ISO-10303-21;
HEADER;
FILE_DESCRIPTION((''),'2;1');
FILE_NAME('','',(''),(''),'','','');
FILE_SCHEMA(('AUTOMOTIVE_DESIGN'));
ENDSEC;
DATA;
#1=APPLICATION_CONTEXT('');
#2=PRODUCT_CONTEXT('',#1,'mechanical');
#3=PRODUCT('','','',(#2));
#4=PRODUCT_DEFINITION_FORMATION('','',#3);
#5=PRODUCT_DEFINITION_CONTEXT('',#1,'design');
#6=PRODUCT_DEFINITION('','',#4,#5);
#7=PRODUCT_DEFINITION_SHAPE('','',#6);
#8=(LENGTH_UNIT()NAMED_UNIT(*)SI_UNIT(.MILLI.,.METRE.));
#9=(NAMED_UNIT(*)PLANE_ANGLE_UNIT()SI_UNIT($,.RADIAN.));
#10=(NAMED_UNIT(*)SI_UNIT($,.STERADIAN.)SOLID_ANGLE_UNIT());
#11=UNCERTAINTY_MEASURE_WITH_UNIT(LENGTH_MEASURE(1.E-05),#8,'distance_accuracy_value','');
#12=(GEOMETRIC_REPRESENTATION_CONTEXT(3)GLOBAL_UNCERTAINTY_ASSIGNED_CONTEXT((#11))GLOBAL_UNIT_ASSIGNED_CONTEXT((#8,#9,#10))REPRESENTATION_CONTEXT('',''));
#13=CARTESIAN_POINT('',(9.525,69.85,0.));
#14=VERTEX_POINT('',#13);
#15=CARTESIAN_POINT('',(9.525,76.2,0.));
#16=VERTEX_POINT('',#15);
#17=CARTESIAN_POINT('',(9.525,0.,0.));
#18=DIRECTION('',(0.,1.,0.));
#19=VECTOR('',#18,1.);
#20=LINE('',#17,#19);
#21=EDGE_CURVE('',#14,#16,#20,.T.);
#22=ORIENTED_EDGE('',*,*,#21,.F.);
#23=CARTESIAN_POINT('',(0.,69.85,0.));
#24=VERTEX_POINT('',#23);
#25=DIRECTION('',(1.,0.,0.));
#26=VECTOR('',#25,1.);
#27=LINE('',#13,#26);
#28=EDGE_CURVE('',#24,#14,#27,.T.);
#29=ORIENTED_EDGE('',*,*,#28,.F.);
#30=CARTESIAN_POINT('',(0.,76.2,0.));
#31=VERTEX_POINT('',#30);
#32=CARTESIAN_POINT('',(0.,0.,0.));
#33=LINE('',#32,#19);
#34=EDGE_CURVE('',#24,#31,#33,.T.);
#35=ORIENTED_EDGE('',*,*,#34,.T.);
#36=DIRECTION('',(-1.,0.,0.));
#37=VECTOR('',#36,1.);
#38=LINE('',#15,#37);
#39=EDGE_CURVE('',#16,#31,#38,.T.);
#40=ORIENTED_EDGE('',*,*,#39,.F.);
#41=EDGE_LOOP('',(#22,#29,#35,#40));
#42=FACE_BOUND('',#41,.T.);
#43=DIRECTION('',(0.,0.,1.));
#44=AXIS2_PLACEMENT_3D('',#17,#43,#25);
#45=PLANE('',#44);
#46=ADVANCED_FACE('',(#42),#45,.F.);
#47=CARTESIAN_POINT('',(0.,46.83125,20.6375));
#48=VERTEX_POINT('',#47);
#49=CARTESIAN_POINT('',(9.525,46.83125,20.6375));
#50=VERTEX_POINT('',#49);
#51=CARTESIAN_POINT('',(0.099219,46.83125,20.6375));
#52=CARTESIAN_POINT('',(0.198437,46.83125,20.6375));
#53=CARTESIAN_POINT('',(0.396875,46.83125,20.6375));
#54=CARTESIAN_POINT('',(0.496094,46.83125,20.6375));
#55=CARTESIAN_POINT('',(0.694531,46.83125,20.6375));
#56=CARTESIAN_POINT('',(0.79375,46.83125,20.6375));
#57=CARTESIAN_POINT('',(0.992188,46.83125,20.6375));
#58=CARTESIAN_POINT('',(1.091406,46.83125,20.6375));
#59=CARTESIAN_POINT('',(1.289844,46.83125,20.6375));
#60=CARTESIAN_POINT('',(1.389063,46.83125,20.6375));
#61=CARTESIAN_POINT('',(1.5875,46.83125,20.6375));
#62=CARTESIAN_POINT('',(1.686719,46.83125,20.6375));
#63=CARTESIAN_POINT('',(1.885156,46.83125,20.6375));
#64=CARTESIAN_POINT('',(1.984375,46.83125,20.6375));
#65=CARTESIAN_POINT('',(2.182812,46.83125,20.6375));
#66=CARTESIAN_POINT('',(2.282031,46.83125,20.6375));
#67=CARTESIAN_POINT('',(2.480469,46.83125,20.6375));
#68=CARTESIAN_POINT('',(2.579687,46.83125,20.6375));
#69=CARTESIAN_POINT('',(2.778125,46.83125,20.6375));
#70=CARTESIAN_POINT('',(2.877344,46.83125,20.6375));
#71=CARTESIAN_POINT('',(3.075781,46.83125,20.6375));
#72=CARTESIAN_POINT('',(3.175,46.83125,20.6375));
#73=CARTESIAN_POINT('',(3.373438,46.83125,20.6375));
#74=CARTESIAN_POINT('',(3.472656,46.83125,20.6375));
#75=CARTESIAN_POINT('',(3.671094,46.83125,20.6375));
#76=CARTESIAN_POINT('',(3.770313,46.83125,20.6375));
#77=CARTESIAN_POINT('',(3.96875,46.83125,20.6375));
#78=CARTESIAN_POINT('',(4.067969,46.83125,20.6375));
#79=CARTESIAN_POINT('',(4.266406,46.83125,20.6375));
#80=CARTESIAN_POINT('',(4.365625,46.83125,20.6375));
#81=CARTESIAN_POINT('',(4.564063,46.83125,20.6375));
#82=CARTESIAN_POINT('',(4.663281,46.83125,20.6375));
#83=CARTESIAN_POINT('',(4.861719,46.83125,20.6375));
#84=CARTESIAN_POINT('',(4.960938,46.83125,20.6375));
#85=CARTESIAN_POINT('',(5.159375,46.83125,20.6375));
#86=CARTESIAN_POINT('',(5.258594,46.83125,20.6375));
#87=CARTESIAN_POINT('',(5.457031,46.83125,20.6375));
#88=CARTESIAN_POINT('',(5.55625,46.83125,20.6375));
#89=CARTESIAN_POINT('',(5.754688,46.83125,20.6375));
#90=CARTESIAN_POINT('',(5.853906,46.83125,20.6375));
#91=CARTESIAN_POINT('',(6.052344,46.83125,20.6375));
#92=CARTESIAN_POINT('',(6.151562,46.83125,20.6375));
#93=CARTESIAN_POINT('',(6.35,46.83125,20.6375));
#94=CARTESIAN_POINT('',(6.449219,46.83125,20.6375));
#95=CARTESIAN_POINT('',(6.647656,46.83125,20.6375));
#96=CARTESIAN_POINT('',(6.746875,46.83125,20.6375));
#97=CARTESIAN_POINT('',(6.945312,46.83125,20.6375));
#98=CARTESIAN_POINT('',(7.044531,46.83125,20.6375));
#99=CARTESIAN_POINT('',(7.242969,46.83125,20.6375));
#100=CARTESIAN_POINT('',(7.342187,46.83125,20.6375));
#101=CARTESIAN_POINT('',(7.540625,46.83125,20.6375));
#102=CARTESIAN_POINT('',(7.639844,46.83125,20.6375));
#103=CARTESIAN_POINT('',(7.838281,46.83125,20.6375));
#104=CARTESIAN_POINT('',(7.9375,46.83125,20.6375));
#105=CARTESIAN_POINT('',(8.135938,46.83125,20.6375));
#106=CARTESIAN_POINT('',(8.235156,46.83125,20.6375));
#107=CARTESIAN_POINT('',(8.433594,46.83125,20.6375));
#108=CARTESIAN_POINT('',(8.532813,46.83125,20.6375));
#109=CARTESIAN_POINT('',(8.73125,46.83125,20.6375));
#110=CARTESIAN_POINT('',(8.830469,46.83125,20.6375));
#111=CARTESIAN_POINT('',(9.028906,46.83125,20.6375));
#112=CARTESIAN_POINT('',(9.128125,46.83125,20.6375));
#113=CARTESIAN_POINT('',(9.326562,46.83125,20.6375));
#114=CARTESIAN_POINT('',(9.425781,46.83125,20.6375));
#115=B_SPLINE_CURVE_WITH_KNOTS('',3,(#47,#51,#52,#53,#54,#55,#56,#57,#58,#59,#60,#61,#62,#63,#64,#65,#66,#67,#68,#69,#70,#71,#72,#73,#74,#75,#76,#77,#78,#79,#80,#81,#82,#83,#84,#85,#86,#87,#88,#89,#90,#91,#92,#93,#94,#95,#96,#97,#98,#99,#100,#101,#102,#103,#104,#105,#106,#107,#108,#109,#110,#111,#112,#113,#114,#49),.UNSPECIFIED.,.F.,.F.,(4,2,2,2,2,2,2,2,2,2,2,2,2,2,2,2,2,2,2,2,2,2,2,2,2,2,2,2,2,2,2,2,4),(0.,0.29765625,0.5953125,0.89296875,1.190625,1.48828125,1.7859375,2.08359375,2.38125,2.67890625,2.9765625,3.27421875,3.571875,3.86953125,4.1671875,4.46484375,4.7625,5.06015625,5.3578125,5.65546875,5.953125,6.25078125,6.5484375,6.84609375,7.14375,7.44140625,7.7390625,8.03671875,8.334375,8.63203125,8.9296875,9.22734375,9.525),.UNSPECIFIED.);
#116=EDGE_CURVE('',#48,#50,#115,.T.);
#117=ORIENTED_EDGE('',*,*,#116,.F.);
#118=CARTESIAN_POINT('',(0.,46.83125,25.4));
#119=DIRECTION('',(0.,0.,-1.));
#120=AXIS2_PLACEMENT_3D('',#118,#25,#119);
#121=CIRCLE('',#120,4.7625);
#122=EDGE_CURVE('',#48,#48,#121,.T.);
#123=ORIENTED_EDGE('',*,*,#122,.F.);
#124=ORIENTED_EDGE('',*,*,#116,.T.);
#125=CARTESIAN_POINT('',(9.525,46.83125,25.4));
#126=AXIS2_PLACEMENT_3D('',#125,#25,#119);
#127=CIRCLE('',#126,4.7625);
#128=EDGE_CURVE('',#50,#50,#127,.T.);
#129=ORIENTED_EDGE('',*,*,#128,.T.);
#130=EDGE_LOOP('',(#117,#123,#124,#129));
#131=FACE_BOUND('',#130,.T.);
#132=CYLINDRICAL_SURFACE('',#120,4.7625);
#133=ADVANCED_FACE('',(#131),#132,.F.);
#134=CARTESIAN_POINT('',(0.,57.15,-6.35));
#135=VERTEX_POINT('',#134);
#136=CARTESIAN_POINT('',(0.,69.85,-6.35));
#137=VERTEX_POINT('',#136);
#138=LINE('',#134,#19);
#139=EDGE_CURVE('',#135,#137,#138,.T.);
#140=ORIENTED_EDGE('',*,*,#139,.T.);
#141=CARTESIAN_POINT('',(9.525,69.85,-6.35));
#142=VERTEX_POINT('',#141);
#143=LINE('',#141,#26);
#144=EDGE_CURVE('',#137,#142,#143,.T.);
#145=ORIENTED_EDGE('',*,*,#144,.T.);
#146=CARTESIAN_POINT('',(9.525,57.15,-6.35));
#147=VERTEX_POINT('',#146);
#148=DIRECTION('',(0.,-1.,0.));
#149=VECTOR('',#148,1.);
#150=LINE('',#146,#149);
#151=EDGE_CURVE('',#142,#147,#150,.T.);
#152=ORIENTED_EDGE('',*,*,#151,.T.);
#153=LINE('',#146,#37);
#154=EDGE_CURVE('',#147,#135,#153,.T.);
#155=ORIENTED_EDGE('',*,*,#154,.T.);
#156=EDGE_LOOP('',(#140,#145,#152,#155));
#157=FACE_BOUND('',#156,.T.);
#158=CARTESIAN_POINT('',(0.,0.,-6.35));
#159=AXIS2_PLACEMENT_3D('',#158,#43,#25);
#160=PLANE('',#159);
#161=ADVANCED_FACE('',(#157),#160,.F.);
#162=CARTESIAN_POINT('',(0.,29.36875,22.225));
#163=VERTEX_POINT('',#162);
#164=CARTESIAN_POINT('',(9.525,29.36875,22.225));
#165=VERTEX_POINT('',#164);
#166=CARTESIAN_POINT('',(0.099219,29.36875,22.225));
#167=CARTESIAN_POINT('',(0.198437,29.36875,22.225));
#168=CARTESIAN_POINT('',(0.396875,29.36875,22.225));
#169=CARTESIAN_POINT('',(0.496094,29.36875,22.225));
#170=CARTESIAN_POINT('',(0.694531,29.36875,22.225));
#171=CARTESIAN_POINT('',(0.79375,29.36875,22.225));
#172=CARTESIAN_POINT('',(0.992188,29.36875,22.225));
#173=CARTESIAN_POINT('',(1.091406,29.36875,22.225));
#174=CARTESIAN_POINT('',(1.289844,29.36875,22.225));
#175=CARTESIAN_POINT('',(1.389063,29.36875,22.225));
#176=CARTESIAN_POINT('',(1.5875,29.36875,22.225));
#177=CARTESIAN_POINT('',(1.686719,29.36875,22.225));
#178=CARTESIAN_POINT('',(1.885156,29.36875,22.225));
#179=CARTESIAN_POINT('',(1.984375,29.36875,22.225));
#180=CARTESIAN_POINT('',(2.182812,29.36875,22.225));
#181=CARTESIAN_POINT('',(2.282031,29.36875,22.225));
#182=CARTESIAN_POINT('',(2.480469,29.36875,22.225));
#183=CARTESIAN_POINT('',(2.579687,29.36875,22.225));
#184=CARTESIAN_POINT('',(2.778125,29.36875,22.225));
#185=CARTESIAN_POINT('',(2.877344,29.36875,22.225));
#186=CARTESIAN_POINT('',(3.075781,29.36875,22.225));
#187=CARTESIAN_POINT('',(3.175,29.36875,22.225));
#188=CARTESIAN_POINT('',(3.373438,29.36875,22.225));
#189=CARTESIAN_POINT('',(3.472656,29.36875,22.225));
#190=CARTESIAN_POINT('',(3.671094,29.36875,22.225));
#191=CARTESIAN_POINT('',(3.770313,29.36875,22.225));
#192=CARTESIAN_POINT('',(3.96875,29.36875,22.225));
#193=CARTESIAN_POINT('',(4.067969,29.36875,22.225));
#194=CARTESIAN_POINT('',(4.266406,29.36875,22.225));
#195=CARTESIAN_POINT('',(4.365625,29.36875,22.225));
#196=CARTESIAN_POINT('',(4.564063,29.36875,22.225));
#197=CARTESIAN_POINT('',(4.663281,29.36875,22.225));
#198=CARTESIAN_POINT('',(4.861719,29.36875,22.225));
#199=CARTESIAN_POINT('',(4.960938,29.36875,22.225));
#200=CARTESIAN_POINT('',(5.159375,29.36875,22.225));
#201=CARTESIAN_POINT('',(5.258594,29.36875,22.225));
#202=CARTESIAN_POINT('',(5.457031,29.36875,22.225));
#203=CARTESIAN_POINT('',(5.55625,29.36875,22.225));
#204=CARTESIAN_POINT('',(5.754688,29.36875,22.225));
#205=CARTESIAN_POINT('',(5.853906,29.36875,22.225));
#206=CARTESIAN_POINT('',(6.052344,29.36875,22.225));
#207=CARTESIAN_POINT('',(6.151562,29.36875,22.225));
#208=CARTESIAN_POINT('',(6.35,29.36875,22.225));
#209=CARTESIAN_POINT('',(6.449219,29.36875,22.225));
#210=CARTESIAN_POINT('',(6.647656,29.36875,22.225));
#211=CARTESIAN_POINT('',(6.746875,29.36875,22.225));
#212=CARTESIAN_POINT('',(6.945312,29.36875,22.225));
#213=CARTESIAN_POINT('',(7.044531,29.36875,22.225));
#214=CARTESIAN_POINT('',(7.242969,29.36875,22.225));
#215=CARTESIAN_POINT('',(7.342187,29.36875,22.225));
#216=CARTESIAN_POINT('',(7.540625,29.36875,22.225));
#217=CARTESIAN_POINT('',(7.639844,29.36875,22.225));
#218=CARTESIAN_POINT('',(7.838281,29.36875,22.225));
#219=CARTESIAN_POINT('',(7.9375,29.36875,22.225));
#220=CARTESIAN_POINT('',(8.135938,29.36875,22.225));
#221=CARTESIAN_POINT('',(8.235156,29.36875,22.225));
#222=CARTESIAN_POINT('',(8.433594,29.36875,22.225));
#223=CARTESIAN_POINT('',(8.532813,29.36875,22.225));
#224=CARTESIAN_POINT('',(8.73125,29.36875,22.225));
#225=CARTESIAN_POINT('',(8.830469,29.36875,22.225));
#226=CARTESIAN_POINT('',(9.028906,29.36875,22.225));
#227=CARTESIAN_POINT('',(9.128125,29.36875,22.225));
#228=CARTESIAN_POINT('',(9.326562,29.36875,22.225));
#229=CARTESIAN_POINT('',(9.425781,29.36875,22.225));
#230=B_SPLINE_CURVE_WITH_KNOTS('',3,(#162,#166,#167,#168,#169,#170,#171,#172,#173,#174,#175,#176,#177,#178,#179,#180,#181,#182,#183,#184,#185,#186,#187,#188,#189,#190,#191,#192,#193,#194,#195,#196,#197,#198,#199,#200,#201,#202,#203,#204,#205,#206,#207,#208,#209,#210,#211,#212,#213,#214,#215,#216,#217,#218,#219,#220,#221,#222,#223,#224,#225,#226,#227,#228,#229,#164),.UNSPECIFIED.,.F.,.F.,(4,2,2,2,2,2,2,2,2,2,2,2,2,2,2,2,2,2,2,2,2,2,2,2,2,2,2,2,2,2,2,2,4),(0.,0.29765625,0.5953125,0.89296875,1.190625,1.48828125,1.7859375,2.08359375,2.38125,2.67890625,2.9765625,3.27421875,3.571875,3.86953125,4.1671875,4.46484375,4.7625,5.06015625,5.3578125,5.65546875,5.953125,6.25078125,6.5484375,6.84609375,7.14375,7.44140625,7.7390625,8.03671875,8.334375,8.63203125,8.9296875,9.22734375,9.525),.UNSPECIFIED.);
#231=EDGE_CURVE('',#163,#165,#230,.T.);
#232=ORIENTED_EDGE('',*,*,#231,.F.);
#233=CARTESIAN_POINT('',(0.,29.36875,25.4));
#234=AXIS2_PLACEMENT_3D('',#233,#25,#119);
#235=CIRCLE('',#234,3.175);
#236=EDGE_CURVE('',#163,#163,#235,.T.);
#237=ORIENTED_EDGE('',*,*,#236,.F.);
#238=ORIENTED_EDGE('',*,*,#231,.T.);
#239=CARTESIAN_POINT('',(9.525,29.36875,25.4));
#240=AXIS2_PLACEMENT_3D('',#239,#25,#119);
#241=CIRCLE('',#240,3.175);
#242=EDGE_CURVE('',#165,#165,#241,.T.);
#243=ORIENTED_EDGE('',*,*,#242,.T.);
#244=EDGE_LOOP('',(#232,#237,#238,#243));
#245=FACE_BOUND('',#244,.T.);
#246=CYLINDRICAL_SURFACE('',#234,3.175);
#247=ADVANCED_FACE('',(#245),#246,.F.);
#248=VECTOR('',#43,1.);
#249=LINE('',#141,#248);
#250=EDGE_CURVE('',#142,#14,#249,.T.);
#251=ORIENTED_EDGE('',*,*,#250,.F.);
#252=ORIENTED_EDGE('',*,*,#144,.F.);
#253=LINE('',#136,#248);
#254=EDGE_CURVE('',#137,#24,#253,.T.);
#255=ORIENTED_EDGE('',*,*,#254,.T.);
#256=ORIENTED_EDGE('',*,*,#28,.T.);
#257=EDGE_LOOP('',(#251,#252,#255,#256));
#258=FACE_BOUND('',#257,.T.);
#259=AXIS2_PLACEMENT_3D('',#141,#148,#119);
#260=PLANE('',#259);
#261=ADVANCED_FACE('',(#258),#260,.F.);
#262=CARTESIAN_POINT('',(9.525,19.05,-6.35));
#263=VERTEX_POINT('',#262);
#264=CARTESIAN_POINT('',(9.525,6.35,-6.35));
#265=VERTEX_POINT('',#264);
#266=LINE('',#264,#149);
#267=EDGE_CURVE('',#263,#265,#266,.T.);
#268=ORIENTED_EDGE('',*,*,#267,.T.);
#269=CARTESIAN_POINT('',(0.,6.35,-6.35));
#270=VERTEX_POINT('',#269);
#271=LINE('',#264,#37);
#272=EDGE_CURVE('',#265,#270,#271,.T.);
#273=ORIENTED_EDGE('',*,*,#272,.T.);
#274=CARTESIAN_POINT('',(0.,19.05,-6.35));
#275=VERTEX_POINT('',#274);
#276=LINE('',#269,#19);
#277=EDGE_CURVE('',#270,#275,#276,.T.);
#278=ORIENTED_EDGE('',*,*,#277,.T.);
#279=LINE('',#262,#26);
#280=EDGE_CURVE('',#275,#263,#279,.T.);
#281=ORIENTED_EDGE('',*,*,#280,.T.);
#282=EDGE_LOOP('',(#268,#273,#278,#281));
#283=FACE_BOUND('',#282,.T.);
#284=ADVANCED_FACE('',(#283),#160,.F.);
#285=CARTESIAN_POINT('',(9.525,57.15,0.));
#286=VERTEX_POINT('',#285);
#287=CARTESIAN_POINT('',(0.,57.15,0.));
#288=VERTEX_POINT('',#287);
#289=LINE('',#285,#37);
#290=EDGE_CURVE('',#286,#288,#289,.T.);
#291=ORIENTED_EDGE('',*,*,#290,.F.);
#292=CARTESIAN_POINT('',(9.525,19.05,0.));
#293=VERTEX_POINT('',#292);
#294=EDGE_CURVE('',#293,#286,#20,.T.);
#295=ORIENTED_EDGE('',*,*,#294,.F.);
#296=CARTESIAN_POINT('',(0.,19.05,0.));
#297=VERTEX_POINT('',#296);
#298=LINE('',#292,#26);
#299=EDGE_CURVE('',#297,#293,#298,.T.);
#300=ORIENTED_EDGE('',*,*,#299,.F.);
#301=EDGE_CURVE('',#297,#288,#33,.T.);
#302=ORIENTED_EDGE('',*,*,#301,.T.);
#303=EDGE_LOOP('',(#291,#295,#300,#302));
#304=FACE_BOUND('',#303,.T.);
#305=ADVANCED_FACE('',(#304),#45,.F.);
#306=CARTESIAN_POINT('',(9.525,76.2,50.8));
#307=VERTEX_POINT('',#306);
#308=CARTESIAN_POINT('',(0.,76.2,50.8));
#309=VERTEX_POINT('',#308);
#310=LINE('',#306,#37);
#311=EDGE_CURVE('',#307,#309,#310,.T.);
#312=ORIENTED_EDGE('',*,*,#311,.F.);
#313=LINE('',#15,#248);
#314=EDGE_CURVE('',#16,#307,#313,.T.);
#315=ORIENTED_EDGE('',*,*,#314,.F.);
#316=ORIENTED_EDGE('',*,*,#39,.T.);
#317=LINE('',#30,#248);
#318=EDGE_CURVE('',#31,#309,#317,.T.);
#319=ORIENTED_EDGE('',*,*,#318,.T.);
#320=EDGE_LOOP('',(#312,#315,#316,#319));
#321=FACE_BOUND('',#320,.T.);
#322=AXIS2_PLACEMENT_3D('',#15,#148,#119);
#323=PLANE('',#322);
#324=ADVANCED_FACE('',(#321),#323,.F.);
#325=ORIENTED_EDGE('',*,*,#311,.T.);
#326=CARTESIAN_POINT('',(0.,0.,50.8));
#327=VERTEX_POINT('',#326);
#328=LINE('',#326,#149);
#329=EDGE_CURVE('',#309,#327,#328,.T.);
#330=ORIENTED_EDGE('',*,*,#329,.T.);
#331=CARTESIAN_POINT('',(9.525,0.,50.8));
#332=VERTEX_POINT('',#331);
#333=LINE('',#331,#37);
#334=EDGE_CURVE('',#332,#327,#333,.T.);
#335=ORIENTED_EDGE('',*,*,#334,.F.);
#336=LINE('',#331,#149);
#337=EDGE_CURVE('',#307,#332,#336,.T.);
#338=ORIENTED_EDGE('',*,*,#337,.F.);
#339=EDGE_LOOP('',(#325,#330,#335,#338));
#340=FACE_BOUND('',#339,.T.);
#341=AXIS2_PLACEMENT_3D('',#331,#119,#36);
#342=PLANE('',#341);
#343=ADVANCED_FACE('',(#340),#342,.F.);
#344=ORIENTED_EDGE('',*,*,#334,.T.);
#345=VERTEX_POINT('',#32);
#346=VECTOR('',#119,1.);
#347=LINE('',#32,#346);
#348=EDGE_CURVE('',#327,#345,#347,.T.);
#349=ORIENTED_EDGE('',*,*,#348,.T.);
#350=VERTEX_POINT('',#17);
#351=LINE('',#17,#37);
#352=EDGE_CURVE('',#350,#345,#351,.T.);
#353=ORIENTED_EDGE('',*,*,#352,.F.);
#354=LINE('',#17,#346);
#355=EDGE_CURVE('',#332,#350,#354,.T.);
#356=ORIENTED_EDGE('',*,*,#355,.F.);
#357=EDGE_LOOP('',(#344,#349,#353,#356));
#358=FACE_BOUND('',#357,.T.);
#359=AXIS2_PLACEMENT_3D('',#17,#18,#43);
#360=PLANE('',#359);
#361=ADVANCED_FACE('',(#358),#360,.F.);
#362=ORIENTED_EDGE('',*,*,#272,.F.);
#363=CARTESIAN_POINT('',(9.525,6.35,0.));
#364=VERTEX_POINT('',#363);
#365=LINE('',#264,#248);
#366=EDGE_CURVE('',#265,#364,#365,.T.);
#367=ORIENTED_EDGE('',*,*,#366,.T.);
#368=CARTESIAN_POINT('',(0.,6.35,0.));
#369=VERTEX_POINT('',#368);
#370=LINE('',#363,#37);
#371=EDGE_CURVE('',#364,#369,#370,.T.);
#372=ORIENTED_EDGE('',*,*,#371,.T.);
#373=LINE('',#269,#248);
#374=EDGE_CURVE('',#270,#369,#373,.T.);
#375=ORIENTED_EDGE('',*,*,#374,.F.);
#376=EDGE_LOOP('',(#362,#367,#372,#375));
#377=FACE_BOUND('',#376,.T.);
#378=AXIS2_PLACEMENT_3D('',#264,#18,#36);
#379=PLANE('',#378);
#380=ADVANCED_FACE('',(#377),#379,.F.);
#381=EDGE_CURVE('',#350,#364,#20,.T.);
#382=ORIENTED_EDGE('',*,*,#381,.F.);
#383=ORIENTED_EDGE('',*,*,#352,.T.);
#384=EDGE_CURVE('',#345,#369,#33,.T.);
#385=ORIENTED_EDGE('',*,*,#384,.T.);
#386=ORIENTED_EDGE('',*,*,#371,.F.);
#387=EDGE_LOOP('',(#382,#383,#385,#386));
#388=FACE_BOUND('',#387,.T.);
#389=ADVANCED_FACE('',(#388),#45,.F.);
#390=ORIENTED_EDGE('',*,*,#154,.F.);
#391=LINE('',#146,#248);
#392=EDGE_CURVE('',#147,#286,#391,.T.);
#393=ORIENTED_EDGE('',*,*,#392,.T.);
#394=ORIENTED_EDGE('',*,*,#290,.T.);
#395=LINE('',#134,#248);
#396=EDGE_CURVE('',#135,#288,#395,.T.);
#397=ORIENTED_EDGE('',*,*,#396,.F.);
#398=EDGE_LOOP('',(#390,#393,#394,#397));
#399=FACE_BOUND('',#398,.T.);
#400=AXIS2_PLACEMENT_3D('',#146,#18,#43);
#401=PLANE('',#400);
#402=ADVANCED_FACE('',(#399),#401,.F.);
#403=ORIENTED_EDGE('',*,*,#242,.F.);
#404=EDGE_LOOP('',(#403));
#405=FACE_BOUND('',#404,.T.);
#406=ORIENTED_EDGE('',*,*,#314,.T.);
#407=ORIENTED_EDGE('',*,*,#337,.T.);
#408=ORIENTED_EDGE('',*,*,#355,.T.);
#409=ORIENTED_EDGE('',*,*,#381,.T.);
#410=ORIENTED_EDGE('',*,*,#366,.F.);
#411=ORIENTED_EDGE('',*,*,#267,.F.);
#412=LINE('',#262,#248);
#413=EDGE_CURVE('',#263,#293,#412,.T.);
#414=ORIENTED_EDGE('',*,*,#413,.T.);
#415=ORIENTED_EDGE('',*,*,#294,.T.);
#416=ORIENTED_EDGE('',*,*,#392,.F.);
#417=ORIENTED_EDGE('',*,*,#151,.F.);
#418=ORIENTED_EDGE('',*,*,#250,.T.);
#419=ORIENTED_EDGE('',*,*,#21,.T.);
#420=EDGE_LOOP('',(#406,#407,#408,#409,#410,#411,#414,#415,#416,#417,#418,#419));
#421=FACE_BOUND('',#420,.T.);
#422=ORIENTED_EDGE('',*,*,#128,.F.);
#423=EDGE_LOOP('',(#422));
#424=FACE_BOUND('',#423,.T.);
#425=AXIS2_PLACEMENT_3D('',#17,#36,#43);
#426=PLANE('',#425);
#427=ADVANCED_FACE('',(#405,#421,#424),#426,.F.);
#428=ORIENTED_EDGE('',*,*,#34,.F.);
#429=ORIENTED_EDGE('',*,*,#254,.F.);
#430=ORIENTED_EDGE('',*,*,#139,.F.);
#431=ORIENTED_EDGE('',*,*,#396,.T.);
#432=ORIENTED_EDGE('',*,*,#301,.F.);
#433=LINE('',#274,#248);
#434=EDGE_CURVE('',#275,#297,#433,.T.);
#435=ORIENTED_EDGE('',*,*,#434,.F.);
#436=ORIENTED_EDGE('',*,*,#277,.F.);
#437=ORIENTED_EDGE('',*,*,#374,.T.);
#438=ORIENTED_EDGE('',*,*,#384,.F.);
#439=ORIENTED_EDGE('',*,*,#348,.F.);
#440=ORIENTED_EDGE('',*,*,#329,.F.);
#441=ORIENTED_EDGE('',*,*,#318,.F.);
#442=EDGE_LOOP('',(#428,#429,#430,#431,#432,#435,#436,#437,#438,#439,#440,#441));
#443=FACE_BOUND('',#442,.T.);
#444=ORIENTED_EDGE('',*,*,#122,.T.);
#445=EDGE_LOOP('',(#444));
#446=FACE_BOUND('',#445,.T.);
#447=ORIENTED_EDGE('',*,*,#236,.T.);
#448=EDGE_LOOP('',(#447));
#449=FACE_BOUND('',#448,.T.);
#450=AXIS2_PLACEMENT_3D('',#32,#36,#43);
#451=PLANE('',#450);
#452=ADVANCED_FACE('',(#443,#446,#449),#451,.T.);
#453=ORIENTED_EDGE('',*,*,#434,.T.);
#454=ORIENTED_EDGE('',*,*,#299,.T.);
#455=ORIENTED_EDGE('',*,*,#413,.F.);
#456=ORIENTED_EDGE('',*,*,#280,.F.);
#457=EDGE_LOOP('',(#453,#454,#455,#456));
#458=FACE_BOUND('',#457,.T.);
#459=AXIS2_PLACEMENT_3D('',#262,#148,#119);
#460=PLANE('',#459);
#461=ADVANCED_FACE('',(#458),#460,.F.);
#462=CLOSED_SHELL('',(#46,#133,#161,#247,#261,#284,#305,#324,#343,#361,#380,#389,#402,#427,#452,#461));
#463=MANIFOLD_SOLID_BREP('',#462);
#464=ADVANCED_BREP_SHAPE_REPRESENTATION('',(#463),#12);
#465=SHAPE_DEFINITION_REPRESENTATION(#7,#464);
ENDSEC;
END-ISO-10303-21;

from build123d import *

# Parameters (mm, degrees)
SKETCH1_W           = 76.2
SKETCH1_H           = 50.8
BOSS_EXTRUDE1_DEPTH = 9.525
SKETCH3_R           = 3.175
SKETCH3_R_2         = 4.7625
CUT_EXTRUDE1_DEPTH  = 93.075
SKETCH4_W           = 9.525
SKETCH4_H           = 12.7
BOSS_EXTRUDE2_DEPTH = 6.35


with BuildPart() as part:
    # Sketch1 → Boss-Extrude1 (new body)
    with BuildSketch(Plane.YZ):
        with Locations((38.1, 25.4)):
            Rectangle(SKETCH1_W, SKETCH1_H)
    extrude(amount=BOSS_EXTRUDE1_DEPTH)

    # Sketch3 → Cut-Extrude1 (cut, through all)
    with BuildSketch(Plane.YZ.offset(9.525)):
        with Locations(Location((29.36875, 25.4, 0), (0, 0, 270))):
            Circle(SKETCH3_R)
        with Locations(Location((46.83125, 25.4, 0), (0, 0, 270))):
            Circle(SKETCH3_R_2)
    extrude(amount=-CUT_EXTRUDE1_DEPTH, mode=Mode.SUBTRACT)

    # Sketch4 → Boss-Extrude2 (add)
    with BuildSketch(Plane(origin=(0, 0, 0), x_dir=(1, 0, 0), z_dir=(0, 0, -1))):
        with Locations((4.7625, -12.7)):
            Rectangle(SKETCH4_W, SKETCH4_H)
        with Locations((4.7625, -63.5)):
            Rectangle(SKETCH4_W, SKETCH4_H)
    extrude(amount=BOSS_EXTRUDE2_DEPTH)


solid = part.part
